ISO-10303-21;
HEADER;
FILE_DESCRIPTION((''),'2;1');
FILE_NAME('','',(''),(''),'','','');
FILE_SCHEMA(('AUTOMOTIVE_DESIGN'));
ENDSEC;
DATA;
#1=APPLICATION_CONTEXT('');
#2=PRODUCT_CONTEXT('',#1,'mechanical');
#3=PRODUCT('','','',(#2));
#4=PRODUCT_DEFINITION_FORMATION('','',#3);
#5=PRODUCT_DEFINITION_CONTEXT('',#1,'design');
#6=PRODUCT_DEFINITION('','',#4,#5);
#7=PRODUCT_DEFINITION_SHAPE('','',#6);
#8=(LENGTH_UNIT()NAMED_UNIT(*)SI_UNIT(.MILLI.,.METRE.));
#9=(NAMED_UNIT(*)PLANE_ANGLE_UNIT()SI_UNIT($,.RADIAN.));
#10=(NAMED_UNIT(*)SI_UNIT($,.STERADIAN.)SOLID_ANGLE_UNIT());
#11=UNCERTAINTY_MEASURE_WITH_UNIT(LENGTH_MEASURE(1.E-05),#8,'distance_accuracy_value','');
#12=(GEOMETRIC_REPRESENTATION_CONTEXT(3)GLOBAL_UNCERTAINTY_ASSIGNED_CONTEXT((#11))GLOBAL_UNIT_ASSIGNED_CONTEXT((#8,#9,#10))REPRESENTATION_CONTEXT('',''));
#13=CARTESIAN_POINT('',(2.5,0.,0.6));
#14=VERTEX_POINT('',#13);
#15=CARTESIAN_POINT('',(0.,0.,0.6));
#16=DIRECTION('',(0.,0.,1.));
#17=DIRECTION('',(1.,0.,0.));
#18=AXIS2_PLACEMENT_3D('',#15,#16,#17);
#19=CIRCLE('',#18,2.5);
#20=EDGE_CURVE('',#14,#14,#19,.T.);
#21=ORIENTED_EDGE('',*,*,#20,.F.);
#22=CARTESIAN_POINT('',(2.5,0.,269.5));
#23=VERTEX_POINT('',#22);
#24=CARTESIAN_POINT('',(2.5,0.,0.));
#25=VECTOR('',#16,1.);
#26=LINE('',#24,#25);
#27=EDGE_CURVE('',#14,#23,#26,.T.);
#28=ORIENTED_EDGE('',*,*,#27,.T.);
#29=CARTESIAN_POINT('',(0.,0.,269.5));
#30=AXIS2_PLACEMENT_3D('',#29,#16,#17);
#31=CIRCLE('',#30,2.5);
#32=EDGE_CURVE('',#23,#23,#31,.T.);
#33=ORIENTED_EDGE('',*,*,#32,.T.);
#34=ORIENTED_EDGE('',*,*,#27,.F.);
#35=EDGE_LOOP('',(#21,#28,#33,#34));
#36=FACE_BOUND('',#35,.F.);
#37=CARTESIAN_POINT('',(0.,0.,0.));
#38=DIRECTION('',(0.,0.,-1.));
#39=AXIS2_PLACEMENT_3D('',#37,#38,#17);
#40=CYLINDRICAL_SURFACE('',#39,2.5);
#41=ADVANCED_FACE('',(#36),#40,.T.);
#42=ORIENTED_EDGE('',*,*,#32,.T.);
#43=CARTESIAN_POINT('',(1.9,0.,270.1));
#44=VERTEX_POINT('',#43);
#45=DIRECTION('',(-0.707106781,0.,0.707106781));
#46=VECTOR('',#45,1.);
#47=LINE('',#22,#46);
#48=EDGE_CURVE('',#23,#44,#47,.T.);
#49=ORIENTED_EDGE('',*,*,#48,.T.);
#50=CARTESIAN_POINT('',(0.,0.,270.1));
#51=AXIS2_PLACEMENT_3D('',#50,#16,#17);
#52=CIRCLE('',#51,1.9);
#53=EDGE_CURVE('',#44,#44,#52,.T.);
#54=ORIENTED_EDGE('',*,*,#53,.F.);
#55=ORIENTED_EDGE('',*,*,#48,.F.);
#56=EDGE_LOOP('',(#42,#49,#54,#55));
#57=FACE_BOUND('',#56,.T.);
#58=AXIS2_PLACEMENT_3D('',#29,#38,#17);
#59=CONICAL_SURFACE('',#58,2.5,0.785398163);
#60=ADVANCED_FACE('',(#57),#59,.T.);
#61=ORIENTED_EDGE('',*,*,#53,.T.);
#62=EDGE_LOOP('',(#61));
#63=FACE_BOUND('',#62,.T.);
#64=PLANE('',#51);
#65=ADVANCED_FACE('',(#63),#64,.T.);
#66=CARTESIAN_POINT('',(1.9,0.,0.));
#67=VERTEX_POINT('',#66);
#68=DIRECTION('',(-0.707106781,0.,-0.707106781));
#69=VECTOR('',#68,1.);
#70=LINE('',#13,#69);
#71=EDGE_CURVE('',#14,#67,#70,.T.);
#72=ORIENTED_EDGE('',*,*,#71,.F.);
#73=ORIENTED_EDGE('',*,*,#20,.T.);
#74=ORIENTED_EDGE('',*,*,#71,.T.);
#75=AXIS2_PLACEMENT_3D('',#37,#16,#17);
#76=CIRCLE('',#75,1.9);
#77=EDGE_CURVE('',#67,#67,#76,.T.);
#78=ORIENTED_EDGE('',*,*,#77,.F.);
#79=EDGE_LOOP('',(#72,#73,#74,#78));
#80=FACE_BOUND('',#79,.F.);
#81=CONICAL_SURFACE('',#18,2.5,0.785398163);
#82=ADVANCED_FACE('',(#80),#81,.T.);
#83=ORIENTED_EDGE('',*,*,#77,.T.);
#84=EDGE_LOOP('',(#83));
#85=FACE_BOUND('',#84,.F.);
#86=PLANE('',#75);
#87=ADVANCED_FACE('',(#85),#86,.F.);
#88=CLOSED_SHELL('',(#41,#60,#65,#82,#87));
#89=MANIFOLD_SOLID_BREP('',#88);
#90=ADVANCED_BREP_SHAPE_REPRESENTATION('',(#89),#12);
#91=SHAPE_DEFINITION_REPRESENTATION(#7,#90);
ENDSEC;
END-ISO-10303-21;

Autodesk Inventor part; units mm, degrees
ref_plane "YZ Plane" through (0, 0, 0) normal (1, 0, 0) x (0, 1, 0)
ref_plane "XZ Plane" through (0, 0, 0) normal (0, 1, 0) x (-1, 0, 0)
ref_plane "XY Plane" through (0, 0, 0) normal (0, 0, 1) x (1, 0, 0)
sketch "Sketch1" plane through (0, 0, 0) normal (0, 0, 1) x (1, 0, 0)
  circle A0 centre (0, 0) radius 2.5
  dimension "d0" = 5
extrude "Extrusion1" add sketch "Sketch1" along normal blind 270.1
chamfer "Chamfer1" distance 0.6 angle 45 2 edges at (-2.5, 0, 270.1) (-2.5, 0, 0)
thread "Thread1" size "M5x0.8" class "6g" standard "ANSI Metric M Profile" full length
properties part number "z_threaded_rod"
